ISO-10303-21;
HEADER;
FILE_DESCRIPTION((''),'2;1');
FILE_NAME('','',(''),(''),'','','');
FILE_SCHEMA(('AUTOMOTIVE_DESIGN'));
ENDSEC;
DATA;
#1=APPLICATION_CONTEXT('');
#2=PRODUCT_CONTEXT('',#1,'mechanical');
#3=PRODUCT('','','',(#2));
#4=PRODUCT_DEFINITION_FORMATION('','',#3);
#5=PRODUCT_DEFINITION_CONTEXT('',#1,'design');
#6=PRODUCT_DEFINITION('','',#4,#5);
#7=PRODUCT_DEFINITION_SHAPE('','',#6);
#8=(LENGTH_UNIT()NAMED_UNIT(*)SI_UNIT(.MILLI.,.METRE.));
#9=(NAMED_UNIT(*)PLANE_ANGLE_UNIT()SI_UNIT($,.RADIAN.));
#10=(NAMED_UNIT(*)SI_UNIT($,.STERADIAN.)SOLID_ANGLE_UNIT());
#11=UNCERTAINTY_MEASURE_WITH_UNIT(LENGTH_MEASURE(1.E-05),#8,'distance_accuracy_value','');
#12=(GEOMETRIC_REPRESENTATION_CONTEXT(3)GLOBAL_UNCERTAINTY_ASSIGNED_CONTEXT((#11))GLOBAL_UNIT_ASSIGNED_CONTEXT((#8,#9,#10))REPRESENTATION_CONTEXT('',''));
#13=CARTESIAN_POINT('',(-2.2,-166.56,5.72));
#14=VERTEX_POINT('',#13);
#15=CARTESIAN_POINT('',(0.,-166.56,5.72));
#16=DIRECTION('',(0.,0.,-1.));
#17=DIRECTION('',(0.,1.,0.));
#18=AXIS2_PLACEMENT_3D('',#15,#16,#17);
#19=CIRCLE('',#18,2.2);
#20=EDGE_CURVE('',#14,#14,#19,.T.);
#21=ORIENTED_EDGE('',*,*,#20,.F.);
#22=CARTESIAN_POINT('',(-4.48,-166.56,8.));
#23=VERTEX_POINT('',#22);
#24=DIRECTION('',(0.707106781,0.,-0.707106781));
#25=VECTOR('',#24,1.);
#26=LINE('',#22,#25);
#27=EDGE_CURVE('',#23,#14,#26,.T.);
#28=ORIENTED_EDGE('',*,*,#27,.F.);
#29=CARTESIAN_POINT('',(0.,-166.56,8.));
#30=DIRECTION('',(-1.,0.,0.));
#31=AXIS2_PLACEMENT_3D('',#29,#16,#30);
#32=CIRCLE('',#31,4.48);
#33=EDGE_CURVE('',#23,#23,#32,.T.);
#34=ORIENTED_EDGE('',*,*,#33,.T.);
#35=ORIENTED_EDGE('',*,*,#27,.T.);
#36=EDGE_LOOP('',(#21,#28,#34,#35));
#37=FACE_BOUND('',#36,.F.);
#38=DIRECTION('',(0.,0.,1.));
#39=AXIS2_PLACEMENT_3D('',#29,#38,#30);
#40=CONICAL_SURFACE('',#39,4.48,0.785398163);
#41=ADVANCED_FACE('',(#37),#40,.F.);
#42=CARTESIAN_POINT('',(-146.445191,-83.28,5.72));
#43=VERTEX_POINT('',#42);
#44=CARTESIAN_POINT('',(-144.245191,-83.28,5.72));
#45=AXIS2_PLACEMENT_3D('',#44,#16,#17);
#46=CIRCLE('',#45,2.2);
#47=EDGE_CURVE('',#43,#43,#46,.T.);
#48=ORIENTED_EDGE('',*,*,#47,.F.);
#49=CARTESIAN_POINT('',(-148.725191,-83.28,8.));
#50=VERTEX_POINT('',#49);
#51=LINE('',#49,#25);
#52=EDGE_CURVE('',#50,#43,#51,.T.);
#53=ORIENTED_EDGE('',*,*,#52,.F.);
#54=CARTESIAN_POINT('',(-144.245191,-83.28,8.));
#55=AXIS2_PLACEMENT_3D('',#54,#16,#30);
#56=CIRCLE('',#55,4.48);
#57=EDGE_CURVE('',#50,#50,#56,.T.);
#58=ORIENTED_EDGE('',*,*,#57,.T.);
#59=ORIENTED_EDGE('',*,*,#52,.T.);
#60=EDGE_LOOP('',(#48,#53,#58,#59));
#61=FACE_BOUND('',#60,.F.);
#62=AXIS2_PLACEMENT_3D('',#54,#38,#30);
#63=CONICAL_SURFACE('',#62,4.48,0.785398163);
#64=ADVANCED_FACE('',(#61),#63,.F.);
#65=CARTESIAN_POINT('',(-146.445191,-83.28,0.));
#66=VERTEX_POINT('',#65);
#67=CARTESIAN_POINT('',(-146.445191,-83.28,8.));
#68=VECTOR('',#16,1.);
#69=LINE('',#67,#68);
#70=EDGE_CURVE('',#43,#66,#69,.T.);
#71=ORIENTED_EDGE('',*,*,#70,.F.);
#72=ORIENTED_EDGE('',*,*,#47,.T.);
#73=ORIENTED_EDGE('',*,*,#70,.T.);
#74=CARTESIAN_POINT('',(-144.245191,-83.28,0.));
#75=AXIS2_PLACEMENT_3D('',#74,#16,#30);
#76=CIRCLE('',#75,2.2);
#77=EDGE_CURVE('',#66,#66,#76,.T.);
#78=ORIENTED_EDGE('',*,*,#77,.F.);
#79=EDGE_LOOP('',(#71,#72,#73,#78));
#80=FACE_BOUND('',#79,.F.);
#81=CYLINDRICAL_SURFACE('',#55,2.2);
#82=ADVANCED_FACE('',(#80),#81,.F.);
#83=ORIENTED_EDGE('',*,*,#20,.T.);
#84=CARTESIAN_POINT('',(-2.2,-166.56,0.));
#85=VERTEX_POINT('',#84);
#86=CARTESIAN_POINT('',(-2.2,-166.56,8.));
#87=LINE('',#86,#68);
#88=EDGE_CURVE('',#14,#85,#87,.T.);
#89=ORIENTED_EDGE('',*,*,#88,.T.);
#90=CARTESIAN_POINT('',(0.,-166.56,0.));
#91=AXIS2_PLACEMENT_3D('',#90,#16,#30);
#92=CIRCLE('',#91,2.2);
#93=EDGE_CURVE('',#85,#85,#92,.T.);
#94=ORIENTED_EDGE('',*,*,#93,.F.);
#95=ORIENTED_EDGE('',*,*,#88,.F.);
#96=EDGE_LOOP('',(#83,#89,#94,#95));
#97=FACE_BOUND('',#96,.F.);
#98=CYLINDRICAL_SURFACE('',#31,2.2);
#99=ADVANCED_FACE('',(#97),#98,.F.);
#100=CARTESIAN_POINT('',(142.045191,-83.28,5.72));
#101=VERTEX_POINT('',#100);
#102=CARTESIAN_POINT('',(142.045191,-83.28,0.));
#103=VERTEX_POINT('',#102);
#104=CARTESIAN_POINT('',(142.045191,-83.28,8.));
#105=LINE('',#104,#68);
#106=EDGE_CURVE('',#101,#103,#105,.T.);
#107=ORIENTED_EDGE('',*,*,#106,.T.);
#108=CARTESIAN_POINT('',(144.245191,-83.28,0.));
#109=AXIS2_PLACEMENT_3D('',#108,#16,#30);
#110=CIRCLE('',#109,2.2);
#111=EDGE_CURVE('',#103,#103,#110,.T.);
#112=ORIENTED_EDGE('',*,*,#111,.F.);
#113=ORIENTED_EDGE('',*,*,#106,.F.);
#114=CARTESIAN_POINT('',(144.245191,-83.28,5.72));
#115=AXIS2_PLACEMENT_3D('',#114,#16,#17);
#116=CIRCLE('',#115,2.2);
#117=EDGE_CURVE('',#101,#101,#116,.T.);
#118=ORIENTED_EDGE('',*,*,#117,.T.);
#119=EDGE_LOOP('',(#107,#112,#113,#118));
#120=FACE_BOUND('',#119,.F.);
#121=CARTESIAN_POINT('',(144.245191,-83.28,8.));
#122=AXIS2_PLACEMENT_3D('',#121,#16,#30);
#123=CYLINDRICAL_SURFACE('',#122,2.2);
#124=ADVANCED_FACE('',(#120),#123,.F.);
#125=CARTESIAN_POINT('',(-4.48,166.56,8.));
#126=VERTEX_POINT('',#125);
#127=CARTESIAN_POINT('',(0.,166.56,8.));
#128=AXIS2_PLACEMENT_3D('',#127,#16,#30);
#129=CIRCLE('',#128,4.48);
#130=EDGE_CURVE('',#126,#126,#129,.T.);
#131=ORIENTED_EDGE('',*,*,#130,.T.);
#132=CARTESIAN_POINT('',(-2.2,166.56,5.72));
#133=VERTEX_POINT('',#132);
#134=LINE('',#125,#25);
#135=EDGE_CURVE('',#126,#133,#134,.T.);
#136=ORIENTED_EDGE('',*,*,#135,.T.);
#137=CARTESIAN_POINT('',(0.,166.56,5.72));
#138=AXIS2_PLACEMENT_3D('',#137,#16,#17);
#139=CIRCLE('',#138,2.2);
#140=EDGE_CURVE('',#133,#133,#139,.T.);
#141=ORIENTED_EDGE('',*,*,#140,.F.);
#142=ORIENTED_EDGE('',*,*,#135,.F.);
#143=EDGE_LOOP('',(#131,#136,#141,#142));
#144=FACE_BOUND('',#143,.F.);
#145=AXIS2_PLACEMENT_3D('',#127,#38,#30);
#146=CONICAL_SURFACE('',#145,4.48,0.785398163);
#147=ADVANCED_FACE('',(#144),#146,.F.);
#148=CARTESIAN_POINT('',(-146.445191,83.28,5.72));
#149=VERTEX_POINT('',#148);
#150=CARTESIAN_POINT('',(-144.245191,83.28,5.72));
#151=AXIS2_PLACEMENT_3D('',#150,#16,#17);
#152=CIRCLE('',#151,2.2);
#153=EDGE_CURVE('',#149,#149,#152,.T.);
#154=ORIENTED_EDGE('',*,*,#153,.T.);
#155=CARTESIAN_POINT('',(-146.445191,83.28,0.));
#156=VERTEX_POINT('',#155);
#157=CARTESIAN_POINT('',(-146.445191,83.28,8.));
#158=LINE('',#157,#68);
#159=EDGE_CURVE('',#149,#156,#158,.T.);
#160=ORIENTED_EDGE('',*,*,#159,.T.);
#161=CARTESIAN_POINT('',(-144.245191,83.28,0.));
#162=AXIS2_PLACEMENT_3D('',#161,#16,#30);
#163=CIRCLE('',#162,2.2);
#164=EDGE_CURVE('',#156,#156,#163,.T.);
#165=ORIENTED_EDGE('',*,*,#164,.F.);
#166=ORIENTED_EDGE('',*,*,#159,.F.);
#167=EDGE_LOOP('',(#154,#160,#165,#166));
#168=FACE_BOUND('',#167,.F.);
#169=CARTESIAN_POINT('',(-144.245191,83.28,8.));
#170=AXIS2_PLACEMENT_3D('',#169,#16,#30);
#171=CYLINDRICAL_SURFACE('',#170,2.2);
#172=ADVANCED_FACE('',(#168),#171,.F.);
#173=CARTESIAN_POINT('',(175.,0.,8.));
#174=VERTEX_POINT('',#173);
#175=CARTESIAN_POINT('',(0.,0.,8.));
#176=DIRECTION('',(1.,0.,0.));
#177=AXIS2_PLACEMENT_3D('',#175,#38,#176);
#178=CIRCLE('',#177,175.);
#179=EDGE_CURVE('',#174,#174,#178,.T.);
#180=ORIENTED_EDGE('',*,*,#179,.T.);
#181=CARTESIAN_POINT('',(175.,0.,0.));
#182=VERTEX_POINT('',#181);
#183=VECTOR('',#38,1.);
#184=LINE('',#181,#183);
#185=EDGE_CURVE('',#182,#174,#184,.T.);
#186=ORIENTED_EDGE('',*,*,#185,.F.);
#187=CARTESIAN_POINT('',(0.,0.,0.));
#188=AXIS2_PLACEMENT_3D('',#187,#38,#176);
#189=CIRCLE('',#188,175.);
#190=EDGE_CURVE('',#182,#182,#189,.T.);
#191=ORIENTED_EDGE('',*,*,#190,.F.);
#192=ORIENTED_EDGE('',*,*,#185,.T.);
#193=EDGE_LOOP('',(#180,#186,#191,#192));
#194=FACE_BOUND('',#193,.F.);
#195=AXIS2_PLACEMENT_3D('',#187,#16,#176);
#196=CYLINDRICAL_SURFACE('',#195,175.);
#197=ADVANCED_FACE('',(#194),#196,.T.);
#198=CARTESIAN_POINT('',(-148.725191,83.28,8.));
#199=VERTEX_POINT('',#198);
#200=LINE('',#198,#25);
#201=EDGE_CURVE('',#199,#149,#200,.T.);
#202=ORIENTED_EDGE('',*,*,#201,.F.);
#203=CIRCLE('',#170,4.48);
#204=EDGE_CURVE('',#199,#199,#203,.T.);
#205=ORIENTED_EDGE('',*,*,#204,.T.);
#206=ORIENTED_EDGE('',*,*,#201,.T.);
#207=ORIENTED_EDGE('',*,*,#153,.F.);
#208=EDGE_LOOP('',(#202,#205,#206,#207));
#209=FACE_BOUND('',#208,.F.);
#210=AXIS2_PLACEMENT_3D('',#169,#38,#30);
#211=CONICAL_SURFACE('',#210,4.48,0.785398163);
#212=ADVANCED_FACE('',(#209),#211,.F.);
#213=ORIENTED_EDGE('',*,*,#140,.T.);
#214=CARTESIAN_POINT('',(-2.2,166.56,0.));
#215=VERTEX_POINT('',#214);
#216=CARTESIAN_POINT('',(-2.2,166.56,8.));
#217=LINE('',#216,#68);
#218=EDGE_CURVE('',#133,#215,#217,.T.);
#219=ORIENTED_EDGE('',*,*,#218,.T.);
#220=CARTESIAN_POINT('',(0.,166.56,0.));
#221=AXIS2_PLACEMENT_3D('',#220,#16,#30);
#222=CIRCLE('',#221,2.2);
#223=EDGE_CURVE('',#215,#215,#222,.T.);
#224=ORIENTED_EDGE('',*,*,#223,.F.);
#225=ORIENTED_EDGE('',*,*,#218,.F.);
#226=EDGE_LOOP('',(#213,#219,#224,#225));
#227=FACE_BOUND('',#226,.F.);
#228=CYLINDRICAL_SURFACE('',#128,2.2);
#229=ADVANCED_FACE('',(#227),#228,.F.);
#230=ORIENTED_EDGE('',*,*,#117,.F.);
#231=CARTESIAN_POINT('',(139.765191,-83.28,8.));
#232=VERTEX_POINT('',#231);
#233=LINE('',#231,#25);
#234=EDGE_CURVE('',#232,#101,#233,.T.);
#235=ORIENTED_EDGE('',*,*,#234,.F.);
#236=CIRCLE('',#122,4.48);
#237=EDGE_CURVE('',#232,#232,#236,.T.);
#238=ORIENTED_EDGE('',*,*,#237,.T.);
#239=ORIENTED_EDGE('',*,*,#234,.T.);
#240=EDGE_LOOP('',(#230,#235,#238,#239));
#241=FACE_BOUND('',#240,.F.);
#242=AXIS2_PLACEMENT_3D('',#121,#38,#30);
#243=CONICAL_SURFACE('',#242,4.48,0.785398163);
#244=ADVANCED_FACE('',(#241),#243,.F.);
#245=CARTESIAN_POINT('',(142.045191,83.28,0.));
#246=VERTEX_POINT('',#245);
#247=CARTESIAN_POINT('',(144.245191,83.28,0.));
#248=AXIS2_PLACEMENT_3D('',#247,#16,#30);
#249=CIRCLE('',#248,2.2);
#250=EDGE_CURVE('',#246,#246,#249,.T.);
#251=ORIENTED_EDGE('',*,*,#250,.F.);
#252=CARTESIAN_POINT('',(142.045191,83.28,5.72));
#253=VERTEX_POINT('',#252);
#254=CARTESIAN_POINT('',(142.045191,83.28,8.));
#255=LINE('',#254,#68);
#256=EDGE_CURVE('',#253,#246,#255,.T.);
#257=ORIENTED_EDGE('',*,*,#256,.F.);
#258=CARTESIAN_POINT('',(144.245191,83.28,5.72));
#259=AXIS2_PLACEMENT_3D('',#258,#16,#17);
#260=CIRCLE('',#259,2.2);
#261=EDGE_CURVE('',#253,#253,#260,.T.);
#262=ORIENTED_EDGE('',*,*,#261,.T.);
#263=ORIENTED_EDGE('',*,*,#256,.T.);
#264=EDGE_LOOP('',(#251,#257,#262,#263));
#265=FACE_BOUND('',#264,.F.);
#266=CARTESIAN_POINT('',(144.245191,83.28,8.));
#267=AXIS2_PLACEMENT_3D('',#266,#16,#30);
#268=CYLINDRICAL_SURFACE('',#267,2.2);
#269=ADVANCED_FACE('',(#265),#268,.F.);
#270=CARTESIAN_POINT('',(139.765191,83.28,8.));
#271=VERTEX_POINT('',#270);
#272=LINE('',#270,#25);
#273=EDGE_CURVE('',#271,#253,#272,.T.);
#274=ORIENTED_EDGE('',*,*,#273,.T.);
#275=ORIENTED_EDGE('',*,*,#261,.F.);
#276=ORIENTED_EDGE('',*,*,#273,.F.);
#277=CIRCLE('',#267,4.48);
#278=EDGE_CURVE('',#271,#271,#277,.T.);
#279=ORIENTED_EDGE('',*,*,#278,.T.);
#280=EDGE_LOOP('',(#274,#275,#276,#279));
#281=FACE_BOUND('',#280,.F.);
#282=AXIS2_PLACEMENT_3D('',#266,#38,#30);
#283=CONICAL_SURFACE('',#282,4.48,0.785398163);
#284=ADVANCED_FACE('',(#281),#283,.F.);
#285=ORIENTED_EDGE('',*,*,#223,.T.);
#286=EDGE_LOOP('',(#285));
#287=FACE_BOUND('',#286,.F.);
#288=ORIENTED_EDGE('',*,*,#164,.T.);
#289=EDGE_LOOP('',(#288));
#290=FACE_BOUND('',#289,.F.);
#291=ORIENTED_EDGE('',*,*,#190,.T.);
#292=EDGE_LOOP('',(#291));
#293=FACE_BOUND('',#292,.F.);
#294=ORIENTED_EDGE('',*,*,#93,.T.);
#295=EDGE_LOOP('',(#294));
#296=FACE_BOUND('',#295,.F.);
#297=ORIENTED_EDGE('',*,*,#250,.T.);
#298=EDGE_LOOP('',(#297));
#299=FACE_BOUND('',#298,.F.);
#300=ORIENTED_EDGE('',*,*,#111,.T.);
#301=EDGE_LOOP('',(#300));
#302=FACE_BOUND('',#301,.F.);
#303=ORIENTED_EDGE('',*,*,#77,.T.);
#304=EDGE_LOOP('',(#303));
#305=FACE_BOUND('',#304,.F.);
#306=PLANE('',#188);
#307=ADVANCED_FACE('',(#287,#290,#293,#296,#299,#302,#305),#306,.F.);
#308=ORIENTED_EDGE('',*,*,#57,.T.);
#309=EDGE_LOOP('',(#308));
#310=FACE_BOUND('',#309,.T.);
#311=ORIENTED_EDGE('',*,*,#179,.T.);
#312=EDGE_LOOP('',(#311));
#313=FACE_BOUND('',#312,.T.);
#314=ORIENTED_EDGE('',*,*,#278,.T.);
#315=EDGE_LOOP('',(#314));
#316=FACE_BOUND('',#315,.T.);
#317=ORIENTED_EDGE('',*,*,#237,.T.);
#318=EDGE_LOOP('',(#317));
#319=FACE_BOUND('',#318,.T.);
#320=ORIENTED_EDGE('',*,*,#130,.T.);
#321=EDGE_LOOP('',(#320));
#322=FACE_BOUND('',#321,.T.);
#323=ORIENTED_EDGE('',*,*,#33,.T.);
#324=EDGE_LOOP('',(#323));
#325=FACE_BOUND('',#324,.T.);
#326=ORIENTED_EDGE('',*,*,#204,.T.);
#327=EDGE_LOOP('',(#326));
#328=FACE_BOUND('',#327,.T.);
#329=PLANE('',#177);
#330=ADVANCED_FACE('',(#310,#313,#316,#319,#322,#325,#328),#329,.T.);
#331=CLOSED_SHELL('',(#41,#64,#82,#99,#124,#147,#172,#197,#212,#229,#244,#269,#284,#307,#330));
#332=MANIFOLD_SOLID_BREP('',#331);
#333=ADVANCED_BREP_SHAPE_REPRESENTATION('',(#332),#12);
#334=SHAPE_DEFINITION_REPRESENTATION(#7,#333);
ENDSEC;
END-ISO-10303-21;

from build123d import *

# Parameters (mm, degrees)
F0_R           = 175
F0_R_2         = 1.65
F1_DEPTH       = 8
F3_D           = 4.4
F3_CSINK_D     = 8.96
F3_CSINK_ANGLE = 90


with BuildPart() as f1:
    # F0 (on Top) → F1 (new body)
    with BuildSketch(Plane.XY):
        Circle(F0_R)
        with Locations((-144.2451912543, -83.28)):
            Circle(F0_R_2, mode=Mode.SUBTRACT)
        with Locations((0, -166.56)):
            Circle(F0_R_2, mode=Mode.SUBTRACT)
        with Locations((144.2451912543, -83.28)):
            Circle(F0_R_2, mode=Mode.SUBTRACT)
        with Locations((-144.2451912543, 83.28)):
            Circle(F0_R_2, mode=Mode.SUBTRACT)
        with Locations((144.2451912543, 83.28)):
            Circle(F0_R_2, mode=Mode.SUBTRACT)
        with Locations((0, 166.56)):
            Circle(F0_R_2, mode=Mode.SUBTRACT)
    extrude(amount=F1_DEPTH)

    # F3 (through all)
    with Locations(Plane.XY.offset(8)):
        with Locations((-144.2451912543, -83.28), (-144.2451912543, 83.28), (0, 166.56), (144.2451912543, 83.28), (144.2451912543, -83.28), (0, -166.56)):
            CounterSinkHole(F3_D / 2, F3_CSINK_D / 2, counter_sink_angle=F3_CSINK_ANGLE)


solid = f1.part
